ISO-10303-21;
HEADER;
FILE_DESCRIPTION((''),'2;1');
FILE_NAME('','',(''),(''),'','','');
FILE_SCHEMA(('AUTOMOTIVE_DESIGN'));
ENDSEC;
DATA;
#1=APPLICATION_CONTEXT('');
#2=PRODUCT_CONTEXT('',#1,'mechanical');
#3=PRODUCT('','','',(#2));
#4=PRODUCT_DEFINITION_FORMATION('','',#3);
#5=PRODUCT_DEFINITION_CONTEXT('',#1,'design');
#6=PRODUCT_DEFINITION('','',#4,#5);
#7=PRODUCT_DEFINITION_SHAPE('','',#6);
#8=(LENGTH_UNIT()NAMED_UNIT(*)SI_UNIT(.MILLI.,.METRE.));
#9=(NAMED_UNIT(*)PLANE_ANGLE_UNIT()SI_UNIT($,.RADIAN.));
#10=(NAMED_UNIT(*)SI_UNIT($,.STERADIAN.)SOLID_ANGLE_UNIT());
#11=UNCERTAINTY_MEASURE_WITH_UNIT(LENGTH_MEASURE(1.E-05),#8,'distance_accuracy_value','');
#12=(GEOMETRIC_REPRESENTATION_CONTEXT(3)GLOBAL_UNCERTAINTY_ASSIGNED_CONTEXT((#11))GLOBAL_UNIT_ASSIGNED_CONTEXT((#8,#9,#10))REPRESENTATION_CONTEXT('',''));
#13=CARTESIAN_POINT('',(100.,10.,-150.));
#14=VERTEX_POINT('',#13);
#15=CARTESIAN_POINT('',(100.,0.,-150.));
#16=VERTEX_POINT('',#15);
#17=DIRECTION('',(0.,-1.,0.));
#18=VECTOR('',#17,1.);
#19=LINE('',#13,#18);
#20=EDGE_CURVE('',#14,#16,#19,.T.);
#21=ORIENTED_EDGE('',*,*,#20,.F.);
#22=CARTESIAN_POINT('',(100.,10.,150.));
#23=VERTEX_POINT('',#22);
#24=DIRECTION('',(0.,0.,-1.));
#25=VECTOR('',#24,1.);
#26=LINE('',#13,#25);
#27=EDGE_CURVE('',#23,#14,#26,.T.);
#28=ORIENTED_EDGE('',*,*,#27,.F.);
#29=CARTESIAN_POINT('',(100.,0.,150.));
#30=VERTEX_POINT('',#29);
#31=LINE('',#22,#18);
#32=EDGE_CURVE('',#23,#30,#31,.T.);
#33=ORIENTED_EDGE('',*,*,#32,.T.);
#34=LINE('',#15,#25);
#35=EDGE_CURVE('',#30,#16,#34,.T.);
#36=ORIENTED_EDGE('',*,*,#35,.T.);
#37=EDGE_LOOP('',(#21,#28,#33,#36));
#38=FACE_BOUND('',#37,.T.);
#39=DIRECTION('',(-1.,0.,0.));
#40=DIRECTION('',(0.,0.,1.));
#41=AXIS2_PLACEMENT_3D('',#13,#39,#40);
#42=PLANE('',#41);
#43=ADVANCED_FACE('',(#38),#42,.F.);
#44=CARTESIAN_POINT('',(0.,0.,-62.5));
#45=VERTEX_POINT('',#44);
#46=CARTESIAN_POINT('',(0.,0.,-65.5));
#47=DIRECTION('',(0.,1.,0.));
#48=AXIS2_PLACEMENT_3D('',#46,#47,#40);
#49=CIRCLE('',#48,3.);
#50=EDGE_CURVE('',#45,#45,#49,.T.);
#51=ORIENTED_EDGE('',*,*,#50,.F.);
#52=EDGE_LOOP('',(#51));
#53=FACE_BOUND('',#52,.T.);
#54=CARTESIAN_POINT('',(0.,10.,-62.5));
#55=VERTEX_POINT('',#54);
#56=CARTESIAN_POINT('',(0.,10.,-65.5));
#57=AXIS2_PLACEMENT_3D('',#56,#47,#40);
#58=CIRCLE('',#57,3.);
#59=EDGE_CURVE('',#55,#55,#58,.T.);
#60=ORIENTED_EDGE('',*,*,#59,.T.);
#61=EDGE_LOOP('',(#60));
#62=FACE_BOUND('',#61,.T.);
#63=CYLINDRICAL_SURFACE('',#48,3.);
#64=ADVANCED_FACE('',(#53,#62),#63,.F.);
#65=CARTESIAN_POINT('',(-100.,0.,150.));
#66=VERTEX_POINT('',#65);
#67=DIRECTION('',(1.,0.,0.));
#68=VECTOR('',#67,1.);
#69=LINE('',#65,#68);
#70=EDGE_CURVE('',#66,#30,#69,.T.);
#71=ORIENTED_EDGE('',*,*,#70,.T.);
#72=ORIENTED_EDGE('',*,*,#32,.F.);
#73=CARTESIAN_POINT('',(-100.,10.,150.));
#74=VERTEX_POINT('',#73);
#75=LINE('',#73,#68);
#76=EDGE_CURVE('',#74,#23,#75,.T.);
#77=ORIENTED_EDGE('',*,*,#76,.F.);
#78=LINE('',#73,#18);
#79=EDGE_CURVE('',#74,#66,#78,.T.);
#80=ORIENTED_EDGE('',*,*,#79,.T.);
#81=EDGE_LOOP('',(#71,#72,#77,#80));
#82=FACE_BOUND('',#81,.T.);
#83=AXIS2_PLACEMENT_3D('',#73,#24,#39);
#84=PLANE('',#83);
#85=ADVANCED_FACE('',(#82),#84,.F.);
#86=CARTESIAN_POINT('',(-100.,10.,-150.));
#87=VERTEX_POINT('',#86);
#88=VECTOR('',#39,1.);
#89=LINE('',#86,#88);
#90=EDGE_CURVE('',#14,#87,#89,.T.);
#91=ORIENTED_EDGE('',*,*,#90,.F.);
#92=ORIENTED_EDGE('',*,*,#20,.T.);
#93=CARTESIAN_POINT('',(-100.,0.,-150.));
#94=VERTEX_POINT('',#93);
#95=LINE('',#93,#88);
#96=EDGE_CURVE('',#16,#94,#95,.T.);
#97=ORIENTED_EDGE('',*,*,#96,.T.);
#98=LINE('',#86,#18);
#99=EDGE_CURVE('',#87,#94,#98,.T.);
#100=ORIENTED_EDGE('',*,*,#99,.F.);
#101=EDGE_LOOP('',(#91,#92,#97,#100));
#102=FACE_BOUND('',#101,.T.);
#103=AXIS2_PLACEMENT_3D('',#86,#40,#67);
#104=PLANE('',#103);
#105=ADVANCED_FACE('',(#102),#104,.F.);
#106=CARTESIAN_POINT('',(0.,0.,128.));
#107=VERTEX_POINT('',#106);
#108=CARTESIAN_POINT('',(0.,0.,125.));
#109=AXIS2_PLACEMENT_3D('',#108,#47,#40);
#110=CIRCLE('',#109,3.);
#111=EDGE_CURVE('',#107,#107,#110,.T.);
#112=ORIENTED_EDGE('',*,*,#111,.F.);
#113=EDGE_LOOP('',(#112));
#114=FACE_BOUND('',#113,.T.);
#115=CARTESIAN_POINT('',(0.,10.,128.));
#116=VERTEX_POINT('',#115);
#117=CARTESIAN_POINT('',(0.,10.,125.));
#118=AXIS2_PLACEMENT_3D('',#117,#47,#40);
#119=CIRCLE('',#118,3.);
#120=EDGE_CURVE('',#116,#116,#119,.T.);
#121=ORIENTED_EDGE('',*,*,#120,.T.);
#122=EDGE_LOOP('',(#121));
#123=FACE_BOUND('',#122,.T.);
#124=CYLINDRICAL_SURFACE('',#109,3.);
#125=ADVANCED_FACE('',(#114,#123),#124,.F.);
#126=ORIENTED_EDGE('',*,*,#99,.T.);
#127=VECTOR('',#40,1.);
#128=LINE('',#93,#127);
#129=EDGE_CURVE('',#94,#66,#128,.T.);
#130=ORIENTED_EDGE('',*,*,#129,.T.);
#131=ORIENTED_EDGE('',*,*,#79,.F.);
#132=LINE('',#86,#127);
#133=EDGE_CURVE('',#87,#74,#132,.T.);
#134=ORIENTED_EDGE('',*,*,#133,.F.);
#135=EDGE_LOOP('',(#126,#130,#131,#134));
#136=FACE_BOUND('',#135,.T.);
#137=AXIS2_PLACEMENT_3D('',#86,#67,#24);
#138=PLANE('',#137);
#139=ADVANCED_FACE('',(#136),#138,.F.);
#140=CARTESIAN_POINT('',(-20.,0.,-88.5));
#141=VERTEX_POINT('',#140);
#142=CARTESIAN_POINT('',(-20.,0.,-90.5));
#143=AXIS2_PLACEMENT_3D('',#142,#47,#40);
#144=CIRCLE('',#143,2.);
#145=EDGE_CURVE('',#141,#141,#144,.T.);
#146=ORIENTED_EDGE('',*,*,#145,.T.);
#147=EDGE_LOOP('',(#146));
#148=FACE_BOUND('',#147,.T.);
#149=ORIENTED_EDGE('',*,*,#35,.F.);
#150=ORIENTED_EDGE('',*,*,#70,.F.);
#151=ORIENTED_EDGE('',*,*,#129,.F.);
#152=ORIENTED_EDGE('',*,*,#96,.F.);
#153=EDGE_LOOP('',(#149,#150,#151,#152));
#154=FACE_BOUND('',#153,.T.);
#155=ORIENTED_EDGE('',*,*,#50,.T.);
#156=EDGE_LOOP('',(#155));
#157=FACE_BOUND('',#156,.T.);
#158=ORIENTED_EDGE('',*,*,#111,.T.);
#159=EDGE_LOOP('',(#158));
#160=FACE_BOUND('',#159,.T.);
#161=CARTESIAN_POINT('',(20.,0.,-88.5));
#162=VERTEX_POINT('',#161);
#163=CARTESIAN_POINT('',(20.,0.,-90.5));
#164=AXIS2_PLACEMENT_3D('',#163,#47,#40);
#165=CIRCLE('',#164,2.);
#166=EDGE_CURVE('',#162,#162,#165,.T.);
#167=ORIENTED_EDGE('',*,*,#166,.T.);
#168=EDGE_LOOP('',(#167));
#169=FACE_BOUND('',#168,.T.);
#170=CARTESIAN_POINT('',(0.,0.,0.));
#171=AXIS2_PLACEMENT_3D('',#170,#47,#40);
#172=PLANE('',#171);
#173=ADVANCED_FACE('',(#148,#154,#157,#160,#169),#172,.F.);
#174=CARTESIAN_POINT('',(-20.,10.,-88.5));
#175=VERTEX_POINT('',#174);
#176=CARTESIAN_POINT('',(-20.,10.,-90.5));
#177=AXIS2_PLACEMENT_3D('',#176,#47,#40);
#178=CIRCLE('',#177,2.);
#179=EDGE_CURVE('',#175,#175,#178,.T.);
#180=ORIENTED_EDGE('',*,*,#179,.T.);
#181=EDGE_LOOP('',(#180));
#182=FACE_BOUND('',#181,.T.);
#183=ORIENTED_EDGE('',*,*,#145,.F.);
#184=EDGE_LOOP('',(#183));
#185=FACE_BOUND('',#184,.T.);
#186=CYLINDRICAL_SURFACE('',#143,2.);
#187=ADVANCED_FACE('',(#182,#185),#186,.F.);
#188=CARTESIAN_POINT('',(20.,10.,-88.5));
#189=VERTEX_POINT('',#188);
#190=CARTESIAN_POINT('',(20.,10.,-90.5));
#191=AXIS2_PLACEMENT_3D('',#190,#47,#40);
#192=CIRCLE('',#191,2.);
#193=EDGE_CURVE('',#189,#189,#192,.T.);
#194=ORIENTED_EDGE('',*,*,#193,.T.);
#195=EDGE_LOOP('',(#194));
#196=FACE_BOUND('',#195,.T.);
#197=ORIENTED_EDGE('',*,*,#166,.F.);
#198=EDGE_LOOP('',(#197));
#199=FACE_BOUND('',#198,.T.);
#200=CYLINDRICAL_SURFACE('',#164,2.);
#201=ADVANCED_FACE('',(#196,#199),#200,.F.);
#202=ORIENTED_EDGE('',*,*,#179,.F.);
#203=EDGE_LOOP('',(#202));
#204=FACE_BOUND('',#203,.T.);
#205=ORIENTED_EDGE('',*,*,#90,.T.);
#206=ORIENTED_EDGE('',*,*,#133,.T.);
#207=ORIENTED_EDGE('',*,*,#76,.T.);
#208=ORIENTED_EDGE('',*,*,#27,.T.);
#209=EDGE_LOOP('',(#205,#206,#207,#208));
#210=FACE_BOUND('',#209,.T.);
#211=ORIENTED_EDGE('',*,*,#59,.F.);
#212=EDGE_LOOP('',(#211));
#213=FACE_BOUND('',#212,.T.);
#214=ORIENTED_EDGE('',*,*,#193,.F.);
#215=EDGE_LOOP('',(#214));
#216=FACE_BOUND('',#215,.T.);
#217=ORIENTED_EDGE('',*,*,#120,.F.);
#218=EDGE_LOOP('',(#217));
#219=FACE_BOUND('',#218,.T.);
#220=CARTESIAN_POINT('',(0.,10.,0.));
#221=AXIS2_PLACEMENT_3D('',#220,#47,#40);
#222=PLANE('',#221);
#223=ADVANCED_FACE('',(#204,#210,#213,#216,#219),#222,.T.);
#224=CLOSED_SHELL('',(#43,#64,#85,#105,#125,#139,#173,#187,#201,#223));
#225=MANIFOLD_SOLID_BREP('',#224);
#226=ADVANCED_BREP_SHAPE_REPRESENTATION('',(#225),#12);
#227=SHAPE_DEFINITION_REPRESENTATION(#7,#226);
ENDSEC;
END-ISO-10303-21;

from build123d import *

# Parameters (mm, degrees)
IZIM1_W                     = 200
IZIM1_H                     = 300
Y_KSEKLIK_EKSTR_ZYON1_DEPTH = 10
IZIM2_R                     = 3
IZIM2_R_2                   = 2
KES_EKSTR_ZYON1_DEPTH       = 10


with BuildPart() as part:
    # Çizim1 → Yükseklik-Ekstrüzyon1 (new body)
    with BuildSketch(Plane(origin=(0, 0, 0), x_dir=(1, 0, 0), z_dir=(0, 1, 0))):
        Rectangle(IZIM1_W, IZIM1_H)
    extrude(amount=Y_KSEKLIK_EKSTR_ZYON1_DEPTH)

    # Çizim2 → Kes-Ekstrüzyon1 (cut)
    with BuildSketch(Plane(origin=(0, 10, 0), x_dir=(1, 0, 0), z_dir=(0, 1, 0))):
        with Locations((0, -125)):
            Circle(IZIM2_R)
        with Locations((0, 65.5)):
            Circle(IZIM2_R)
        with Locations((-20, 90.5)):
            Circle(IZIM2_R_2)
        with Locations((20, 90.5)):
            Circle(IZIM2_R_2)
    extrude(amount=-KES_EKSTR_ZYON1_DEPTH, mode=Mode.SUBTRACT)


solid = part.part
